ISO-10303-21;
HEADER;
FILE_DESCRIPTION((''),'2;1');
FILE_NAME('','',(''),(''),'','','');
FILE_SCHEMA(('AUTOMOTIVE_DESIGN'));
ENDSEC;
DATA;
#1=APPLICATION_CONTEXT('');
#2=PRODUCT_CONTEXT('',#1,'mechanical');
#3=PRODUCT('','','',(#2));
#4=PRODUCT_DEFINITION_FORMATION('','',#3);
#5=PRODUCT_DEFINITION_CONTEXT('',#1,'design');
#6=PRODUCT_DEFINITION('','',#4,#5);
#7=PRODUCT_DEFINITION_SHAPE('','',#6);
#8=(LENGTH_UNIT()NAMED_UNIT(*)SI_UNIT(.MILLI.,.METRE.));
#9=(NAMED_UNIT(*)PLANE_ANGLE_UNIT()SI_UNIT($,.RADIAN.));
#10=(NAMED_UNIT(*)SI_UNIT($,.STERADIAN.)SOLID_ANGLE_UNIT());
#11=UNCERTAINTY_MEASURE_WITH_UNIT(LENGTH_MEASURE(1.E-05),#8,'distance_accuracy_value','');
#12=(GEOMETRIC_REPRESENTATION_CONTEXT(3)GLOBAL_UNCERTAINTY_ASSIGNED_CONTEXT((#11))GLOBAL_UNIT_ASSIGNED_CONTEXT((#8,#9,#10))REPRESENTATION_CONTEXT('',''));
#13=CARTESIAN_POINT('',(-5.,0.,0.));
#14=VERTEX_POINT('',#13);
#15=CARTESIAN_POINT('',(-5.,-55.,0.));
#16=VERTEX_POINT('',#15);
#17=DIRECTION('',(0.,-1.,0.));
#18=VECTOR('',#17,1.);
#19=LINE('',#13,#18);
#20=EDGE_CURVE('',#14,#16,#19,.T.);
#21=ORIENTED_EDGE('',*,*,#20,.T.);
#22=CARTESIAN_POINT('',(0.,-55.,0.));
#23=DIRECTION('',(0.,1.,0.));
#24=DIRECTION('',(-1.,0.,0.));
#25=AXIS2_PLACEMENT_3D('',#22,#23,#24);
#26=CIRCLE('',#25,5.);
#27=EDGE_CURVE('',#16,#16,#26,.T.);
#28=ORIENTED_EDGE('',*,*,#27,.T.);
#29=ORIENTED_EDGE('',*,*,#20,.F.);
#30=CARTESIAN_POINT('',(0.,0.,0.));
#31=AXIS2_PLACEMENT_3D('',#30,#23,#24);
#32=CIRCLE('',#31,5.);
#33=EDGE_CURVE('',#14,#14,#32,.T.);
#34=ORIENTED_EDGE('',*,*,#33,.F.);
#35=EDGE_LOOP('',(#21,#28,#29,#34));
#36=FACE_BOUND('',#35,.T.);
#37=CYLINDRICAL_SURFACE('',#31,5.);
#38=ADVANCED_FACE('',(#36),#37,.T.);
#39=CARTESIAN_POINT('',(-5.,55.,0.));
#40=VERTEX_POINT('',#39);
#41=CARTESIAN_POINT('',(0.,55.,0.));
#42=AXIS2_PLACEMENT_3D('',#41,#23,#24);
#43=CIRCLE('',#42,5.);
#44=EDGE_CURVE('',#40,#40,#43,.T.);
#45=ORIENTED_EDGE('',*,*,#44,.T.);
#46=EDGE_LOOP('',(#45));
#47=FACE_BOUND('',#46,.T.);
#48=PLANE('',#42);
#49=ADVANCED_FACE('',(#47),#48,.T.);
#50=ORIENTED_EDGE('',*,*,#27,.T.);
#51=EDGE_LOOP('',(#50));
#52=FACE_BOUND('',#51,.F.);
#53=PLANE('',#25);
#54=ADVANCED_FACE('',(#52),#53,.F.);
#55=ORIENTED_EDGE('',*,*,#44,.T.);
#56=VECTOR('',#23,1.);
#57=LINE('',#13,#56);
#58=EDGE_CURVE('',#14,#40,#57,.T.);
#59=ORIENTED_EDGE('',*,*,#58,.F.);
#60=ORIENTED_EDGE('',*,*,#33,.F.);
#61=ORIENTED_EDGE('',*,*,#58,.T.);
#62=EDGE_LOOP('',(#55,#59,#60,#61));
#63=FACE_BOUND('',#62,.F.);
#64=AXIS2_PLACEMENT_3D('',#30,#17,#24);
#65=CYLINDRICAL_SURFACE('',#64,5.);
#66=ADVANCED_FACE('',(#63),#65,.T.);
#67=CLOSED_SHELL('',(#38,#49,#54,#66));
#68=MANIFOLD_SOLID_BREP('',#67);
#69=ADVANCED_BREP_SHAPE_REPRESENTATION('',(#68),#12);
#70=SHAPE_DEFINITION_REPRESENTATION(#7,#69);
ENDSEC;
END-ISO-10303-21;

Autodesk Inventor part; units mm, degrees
ref_plane "YZ Plane" through (0, 0, 0) normal (1, 0, 0) x (0, 1, 0)
ref_plane "XZ Plane" through (0, 0, 0) normal (0, 1, 0) x (-1, 0, 0)
ref_plane "XY Plane" through (0, 0, 0) normal (0, 0, 1) x (1, 0, 0)
sketch "Sketch1" plane through (0, 0, 0) normal (0, 1, 0) x (-1, 0, 0)
  circle A0 centre (0, 0) radius 5
  dimension "d0" = 10
extrude "Extrusion1" add sketch "Sketch1" along normal mid plane 110
properties part number "01_Truc_02"
